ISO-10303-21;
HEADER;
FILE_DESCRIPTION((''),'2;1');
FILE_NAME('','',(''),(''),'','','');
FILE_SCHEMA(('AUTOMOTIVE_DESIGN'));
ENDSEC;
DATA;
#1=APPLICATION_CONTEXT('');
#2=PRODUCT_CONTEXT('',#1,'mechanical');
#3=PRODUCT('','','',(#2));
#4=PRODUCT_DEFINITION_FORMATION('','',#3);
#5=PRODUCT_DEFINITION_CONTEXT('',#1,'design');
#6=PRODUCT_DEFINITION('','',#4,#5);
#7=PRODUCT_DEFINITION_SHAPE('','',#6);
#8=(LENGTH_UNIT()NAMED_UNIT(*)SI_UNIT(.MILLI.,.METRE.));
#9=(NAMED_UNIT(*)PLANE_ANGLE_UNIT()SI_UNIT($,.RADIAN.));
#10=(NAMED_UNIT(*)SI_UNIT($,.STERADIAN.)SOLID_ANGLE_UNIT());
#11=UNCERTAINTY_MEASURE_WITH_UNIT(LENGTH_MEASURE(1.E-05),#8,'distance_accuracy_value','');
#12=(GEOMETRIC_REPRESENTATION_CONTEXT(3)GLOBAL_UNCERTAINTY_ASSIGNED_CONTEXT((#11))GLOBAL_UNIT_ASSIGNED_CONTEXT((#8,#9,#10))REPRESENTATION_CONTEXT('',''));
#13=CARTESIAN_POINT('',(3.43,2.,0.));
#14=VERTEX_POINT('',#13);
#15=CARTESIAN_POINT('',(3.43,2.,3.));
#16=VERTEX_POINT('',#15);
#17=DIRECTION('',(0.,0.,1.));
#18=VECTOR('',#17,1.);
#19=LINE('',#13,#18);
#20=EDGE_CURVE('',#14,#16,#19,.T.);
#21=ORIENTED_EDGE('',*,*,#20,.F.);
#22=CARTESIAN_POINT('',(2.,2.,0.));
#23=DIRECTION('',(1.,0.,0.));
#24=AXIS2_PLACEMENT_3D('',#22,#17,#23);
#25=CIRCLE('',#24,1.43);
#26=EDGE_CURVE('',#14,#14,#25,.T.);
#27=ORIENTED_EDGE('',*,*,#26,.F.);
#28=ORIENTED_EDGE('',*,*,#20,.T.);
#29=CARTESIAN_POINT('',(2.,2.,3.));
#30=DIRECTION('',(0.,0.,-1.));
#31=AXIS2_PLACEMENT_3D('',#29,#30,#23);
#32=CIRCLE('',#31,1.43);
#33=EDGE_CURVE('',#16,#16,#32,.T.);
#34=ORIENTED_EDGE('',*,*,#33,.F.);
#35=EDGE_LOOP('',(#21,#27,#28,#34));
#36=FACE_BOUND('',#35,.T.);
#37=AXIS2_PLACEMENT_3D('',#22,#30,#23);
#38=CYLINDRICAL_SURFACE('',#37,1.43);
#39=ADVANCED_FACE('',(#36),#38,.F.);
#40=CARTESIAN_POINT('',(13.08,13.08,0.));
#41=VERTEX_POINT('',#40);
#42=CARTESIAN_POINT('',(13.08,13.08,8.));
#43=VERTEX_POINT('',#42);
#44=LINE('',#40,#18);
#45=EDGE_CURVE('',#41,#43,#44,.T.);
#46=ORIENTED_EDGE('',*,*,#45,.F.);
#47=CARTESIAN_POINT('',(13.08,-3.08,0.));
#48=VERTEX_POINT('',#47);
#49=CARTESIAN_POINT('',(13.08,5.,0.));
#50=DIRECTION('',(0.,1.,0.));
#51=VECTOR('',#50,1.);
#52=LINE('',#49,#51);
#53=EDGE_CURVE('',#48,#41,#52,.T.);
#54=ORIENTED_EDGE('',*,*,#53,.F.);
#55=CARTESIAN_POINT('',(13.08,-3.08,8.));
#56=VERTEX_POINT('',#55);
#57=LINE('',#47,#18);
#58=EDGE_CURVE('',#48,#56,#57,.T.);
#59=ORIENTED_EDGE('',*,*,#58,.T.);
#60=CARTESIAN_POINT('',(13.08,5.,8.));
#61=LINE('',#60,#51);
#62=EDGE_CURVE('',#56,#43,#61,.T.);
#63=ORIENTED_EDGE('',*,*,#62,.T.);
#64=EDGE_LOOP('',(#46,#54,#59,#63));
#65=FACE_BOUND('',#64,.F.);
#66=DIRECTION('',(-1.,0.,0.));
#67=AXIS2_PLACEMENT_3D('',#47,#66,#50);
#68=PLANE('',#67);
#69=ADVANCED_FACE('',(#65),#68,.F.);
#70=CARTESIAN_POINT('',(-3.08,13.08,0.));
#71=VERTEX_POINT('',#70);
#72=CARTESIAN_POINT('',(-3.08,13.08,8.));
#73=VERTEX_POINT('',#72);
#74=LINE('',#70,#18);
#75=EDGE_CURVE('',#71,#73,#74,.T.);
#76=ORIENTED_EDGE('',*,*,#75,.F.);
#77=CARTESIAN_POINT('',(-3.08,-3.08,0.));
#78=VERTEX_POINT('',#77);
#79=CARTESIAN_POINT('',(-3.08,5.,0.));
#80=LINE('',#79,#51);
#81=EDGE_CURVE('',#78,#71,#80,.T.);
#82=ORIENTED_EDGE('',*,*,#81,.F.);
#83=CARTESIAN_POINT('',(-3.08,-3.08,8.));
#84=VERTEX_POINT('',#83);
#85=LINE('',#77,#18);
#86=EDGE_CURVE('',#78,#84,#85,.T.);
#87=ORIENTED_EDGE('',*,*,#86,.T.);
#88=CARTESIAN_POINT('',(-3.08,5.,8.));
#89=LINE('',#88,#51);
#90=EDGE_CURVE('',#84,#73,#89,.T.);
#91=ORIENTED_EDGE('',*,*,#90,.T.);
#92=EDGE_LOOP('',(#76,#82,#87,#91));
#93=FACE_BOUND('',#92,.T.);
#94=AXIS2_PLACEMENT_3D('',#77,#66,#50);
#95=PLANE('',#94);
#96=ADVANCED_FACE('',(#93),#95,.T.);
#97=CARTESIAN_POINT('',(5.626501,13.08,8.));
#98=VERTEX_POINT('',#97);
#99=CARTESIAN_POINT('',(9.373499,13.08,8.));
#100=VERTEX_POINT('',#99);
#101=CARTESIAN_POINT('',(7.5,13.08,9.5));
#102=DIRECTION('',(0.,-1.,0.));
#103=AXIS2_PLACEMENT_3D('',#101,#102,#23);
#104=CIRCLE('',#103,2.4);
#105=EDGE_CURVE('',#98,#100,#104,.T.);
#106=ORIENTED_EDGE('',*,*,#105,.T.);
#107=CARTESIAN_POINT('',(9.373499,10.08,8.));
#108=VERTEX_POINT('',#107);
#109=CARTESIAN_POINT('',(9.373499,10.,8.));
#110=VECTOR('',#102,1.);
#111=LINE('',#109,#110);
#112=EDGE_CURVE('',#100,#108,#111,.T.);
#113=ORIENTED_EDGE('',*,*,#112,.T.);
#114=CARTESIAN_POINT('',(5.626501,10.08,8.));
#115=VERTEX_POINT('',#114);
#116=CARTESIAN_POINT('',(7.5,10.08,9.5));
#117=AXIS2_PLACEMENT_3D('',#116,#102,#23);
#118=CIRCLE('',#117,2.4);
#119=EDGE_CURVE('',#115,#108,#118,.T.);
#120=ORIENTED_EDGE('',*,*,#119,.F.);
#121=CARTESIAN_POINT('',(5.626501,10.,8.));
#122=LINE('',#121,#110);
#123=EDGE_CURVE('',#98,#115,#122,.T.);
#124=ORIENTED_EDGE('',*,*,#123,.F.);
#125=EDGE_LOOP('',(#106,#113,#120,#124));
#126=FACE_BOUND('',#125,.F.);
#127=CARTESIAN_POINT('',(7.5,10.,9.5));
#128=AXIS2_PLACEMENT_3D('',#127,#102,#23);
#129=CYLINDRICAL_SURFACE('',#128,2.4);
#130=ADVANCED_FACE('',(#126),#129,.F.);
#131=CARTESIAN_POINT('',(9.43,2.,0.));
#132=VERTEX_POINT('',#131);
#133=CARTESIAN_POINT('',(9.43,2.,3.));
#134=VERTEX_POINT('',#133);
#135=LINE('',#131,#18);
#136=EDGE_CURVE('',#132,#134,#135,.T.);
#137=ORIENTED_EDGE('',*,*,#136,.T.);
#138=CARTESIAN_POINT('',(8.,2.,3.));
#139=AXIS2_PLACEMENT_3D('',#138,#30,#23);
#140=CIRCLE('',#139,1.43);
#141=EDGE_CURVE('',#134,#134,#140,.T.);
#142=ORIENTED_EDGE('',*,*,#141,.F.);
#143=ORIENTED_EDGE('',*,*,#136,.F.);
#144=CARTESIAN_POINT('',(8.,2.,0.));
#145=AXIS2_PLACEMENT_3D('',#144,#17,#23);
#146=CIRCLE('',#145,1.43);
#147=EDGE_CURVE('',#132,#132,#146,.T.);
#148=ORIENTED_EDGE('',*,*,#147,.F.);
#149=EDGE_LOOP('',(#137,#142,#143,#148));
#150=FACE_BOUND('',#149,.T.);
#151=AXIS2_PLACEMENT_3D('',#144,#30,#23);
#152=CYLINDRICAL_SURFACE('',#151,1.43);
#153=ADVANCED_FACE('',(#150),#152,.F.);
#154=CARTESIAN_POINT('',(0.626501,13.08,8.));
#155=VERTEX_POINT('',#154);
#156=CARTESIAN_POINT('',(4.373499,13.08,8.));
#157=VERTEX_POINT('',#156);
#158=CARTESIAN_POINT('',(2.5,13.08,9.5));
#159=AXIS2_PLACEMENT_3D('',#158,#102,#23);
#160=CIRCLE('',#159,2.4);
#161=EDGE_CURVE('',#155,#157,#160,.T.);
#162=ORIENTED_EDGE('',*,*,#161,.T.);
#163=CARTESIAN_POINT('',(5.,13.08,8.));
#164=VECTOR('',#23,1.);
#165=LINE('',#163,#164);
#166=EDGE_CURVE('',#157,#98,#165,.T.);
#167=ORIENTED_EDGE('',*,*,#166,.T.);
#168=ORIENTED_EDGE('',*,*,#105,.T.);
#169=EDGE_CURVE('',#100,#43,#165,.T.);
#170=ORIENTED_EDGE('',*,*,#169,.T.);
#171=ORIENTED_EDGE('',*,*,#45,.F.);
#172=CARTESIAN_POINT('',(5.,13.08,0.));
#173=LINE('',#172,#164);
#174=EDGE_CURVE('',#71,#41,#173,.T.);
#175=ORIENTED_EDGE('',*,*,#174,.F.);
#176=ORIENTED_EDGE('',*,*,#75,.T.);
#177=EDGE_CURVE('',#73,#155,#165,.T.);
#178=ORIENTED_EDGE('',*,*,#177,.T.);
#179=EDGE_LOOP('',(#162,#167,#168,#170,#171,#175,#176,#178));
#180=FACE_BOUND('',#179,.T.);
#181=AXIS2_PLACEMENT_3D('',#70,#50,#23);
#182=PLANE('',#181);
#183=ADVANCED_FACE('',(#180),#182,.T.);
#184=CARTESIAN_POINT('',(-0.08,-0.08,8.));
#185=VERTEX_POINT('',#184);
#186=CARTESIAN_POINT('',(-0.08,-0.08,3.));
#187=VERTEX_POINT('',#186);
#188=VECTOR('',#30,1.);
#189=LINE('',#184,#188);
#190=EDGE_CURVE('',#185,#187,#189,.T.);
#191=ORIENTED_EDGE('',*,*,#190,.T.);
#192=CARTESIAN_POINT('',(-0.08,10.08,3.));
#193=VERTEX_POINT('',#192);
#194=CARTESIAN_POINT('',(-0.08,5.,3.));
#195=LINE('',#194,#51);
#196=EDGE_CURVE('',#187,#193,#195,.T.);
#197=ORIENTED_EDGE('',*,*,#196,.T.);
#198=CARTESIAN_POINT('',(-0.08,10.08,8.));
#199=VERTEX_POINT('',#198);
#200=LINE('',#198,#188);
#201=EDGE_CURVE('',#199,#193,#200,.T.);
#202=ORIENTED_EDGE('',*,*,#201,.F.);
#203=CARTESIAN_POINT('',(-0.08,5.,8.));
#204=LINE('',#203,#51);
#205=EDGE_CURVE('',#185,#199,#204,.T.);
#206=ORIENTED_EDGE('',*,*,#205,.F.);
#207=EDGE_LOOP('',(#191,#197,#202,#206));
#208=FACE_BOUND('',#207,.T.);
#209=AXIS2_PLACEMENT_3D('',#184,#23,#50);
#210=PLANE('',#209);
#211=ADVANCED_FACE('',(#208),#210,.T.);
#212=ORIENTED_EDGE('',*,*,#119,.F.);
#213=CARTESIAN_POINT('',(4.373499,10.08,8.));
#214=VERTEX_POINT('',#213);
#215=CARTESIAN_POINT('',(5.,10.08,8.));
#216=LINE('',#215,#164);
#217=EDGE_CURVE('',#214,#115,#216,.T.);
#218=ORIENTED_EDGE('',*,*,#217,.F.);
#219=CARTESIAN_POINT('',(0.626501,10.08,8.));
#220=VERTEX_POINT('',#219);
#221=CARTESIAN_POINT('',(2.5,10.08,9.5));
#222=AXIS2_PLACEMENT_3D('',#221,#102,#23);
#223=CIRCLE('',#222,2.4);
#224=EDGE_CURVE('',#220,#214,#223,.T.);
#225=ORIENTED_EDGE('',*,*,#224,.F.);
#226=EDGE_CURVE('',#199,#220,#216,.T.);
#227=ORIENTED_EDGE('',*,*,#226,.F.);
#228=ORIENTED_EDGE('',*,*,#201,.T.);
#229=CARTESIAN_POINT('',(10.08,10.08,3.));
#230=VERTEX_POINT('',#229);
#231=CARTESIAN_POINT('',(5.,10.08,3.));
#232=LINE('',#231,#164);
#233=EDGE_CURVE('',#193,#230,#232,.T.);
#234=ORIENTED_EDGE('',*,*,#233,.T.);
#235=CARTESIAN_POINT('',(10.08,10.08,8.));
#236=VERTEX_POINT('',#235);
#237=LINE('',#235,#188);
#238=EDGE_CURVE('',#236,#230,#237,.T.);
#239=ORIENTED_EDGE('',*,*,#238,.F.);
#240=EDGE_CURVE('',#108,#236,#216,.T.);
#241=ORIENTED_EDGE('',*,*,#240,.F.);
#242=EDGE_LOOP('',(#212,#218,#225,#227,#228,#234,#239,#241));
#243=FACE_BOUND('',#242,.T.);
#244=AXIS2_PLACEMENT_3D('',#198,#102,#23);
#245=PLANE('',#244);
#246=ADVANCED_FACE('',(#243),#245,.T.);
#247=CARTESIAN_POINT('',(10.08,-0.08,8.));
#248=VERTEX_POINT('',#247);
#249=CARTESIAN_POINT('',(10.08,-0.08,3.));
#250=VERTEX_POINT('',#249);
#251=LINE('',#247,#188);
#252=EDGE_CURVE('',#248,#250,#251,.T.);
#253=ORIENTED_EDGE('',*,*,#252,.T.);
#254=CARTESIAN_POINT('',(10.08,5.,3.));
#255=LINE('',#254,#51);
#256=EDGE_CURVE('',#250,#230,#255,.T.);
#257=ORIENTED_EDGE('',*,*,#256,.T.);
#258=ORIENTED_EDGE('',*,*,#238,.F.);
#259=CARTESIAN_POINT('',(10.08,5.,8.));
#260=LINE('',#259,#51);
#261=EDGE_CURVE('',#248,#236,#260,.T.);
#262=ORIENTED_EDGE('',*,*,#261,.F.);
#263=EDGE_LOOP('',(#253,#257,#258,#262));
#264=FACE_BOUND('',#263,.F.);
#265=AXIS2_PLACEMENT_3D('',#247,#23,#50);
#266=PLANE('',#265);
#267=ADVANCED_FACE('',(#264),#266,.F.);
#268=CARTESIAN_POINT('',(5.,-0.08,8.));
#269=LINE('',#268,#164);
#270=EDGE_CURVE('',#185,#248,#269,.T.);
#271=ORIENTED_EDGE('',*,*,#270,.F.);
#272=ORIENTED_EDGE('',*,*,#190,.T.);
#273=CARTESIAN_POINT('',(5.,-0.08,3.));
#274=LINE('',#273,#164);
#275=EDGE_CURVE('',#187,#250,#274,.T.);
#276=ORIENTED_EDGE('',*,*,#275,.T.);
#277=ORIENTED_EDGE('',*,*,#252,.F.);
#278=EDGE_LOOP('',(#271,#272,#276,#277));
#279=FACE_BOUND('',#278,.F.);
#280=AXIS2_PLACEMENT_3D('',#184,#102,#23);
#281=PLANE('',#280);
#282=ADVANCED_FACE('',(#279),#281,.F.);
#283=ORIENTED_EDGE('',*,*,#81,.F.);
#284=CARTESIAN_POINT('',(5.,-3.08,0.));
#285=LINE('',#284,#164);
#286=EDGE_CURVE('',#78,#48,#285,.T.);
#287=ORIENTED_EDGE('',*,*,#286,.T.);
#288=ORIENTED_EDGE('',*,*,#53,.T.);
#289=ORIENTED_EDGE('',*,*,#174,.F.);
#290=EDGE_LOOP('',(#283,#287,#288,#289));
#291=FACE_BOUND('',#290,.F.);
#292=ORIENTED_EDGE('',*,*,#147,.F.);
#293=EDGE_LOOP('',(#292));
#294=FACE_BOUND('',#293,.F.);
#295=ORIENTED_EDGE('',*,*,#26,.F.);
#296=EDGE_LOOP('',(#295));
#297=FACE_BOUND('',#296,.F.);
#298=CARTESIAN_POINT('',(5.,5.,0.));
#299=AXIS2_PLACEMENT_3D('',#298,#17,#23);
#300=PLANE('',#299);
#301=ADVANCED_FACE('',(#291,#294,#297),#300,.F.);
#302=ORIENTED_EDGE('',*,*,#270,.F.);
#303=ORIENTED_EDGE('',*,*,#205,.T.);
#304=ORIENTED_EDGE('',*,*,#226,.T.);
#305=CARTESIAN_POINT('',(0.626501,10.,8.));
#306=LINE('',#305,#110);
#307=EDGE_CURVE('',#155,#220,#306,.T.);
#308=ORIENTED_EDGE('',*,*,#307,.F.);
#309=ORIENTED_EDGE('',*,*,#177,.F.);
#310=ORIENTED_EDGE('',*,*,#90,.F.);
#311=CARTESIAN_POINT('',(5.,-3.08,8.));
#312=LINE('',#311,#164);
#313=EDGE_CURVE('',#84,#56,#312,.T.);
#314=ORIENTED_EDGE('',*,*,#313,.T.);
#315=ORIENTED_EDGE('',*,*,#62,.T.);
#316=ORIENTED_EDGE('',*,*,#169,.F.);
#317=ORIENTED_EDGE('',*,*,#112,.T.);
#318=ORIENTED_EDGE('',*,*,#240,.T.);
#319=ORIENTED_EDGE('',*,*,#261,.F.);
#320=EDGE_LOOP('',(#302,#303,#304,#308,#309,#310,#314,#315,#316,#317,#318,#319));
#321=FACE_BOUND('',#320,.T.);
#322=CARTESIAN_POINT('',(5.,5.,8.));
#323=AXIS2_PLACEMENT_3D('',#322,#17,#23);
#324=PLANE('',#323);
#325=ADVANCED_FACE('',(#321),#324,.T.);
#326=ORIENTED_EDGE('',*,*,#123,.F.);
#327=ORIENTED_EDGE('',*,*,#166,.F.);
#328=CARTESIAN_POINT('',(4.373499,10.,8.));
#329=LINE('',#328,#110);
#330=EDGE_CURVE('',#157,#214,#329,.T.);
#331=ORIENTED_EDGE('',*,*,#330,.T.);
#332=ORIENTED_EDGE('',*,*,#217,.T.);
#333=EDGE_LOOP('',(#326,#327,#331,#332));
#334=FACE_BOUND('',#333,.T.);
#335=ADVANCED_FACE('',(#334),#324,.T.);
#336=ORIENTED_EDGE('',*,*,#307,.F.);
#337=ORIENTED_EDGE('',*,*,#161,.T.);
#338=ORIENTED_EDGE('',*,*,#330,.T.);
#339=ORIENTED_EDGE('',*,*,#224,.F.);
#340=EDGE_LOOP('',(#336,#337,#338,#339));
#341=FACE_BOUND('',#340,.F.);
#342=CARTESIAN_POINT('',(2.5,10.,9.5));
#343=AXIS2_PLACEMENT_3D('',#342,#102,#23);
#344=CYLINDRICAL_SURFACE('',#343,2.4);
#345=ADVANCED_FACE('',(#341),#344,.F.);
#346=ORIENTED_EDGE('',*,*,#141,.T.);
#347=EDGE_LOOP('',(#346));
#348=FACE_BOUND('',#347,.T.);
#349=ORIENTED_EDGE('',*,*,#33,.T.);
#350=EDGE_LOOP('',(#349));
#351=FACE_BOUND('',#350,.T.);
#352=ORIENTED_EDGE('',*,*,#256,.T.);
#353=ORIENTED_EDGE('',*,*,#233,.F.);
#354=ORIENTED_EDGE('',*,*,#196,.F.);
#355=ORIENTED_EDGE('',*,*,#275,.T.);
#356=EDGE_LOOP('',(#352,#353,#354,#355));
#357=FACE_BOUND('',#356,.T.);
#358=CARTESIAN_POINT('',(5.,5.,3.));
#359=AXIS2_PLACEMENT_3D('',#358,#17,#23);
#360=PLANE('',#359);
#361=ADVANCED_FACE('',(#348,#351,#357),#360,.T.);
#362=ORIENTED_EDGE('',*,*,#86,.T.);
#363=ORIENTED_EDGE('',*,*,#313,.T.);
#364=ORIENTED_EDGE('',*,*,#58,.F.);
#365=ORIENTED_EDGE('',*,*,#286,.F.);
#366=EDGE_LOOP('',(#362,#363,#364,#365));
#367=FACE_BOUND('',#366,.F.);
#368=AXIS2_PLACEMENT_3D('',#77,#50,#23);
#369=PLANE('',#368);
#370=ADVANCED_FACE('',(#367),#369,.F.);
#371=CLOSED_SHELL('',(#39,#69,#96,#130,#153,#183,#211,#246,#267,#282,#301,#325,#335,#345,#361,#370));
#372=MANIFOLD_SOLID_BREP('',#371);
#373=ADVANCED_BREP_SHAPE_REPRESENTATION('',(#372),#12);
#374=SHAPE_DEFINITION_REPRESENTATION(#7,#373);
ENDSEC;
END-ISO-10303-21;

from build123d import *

# Parameters (mm, degrees)
SKETCH001_W     = 16.16
SKETCH001_H     = 16.16
SKETCH001_R     = 1.43
PAD_DEPTH       = 8
SKETCH002_W     = 10.16
SKETCH002_H     = 10.16
POCKET_DEPTH    = 5
SKETCH003_R     = 2.4
POCKET001_DEPTH = 3.081


with BuildPart() as part:
    # Sketch001 → Pad (new body)
    with BuildSketch(Plane.XY):
        with Locations((5, 5)):
            Rectangle(SKETCH001_W, SKETCH001_H)
        with Locations((2, 2)):
            Circle(SKETCH001_R, mode=Mode.SUBTRACT)
        with Locations((8, 2)):
            Circle(SKETCH001_R, mode=Mode.SUBTRACT)
    extrude(amount=PAD_DEPTH)

    # Sketch002 → Pocket (cut)
    with BuildSketch(Plane.XY.offset(8)):
        with Locations((5, 5)):
            Rectangle(SKETCH002_W, SKETCH002_H)
    extrude(amount=-POCKET_DEPTH, mode=Mode.SUBTRACT)

    # Sketch003 → Pocket001 (cut, through all)
    with BuildSketch(Plane.XZ.offset(-10)):
        with Locations((2.5, 9.5)):
            Circle(SKETCH003_R)
        with Locations((7.5, 9.5)):
            Circle(SKETCH003_R)
    extrude(amount=-POCKET001_DEPTH, mode=Mode.SUBTRACT)


solid = part.part
